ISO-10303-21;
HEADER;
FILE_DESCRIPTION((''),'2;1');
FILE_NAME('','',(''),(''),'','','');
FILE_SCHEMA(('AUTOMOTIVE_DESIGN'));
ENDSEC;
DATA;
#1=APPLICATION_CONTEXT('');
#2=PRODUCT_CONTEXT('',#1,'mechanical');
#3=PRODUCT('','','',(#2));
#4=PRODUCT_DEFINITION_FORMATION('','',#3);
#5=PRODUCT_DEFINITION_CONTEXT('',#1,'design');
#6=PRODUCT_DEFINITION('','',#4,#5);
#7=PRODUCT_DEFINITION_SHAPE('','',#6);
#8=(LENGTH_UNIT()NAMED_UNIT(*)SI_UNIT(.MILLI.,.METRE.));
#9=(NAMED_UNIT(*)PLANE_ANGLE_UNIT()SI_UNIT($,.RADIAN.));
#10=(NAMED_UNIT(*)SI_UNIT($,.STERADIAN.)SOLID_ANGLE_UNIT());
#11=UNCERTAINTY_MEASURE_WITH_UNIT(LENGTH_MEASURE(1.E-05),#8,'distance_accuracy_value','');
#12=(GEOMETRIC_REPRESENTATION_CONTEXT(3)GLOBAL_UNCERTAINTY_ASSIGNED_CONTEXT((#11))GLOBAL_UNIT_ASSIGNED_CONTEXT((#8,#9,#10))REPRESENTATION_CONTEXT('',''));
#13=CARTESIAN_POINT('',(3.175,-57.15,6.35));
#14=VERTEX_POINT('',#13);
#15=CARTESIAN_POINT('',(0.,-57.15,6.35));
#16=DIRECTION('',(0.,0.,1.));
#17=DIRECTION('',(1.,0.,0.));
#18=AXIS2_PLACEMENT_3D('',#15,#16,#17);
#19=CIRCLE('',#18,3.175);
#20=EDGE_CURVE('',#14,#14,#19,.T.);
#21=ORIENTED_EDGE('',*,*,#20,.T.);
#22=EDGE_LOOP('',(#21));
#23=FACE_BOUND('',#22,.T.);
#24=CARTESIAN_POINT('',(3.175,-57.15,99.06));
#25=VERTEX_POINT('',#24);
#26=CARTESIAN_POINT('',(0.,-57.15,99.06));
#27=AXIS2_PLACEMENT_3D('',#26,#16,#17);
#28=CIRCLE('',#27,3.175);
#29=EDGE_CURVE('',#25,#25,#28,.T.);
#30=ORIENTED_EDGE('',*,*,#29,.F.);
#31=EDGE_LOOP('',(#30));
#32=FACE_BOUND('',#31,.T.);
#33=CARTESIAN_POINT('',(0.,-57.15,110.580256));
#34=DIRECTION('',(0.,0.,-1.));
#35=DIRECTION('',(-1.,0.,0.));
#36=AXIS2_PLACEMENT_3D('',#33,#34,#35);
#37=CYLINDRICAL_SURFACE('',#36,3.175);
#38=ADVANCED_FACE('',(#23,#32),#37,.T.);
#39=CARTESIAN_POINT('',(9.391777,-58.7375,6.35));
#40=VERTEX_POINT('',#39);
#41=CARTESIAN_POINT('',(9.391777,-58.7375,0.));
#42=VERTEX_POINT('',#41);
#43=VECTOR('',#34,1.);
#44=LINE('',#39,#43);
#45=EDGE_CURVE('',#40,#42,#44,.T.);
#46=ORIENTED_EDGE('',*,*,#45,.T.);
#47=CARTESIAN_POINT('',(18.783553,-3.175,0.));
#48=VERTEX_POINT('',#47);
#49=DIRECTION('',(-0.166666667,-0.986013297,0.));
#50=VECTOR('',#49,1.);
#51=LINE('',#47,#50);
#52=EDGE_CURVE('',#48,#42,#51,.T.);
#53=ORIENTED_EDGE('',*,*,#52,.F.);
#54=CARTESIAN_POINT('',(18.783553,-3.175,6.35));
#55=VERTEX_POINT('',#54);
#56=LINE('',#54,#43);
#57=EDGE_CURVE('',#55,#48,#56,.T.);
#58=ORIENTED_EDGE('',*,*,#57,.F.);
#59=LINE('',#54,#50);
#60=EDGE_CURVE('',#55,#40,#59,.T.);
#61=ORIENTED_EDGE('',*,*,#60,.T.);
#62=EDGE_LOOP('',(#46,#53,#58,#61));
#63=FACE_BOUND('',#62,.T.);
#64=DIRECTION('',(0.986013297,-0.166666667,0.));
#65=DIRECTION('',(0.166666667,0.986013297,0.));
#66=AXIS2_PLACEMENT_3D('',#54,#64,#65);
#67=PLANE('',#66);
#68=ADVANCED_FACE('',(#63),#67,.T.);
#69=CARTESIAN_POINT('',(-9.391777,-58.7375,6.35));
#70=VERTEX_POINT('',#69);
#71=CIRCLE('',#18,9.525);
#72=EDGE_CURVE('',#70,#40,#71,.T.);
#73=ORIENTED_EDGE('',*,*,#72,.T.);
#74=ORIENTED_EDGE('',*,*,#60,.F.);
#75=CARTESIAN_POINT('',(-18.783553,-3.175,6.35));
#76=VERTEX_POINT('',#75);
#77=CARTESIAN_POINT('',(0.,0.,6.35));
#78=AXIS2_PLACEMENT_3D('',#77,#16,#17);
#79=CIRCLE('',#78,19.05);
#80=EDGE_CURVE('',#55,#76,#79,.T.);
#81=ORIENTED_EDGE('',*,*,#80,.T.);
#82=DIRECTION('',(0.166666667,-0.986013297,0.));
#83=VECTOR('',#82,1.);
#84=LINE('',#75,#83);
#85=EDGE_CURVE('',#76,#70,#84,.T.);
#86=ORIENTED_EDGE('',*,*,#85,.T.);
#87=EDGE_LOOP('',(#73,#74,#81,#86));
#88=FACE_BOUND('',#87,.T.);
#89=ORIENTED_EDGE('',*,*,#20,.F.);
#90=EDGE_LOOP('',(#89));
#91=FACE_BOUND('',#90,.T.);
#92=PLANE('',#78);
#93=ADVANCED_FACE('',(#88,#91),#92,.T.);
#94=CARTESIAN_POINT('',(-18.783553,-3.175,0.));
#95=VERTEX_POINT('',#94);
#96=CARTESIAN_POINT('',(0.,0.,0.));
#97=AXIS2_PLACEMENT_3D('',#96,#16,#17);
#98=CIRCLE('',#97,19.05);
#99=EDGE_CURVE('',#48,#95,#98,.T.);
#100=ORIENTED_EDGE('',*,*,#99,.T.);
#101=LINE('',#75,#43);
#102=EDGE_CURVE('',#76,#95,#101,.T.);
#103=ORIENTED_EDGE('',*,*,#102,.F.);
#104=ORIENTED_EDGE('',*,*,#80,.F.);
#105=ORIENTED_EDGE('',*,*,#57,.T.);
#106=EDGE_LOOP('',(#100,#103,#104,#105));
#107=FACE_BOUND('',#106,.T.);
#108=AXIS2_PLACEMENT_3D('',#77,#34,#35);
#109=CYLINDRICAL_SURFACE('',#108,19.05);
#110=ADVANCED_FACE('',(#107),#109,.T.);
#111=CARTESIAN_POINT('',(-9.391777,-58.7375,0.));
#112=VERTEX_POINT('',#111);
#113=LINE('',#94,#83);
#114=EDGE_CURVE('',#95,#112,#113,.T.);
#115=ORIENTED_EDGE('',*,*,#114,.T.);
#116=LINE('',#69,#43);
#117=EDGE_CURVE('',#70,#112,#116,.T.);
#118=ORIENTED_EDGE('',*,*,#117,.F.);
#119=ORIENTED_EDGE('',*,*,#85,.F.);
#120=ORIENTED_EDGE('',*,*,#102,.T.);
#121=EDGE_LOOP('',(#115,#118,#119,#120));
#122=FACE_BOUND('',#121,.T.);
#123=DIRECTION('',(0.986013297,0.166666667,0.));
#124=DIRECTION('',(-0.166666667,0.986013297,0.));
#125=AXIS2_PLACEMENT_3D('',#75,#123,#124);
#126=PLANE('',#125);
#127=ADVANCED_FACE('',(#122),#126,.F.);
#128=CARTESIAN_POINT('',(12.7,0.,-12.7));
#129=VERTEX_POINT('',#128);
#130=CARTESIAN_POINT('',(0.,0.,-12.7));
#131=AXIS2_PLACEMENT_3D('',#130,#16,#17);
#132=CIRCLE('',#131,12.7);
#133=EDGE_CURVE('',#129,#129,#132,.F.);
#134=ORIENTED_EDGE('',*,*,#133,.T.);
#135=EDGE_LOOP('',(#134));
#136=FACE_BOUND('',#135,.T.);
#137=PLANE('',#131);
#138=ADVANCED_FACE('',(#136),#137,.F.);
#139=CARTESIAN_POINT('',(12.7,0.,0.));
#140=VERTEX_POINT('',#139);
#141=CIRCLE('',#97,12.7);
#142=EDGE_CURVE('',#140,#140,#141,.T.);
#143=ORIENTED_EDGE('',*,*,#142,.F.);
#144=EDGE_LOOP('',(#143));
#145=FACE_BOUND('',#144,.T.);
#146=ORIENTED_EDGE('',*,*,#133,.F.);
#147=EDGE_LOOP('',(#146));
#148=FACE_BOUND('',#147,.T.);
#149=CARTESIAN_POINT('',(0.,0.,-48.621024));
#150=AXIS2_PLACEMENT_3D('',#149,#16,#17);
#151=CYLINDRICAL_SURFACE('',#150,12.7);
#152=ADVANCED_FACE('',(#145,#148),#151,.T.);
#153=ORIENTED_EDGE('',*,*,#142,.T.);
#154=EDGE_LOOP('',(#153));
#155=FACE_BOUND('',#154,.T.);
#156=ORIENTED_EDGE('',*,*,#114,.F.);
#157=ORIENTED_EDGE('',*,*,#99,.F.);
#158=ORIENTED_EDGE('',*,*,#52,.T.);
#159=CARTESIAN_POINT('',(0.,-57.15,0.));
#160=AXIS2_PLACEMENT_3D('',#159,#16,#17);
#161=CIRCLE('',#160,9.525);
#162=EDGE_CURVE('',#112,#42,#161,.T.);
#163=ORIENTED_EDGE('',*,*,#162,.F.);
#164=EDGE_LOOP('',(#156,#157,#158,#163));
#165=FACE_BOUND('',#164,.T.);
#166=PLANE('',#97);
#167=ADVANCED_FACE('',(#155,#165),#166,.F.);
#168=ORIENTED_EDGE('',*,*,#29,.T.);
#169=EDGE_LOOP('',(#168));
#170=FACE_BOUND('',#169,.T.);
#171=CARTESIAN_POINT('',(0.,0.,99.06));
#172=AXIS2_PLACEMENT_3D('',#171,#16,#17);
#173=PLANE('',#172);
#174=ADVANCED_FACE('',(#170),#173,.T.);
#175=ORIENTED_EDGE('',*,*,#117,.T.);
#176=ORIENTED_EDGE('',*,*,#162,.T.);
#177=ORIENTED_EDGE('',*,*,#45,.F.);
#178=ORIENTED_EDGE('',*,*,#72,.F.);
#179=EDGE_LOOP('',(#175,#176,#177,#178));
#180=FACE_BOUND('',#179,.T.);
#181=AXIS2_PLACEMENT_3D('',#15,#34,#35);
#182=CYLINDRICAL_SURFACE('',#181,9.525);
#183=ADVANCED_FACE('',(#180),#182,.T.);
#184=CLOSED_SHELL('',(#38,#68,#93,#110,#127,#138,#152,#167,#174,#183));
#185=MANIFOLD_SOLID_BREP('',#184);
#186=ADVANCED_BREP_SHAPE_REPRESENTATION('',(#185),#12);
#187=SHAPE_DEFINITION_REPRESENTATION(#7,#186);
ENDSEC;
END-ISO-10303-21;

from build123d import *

# Parameters (mm, degrees)
SKETCH1_R           = 12.7
BOSS_EXTRUDE1_DEPTH = 12.7
SKETCH1_3_R         = 3.175
BOSS_EXTRUDE2_DEPTH = 6.35
SKETCH1_4_R         = 3.175
BOSS_EXTRUDE3_DEPTH = 99.06


with BuildPart() as part:
    # Sketch1 → Boss-Extrude1 (new body)
    with BuildSketch(Plane.XY):
        Circle(SKETCH1_R)
    extrude(amount=-BOSS_EXTRUDE1_DEPTH)

    # Sketch1<3> → Boss-Extrude2 (add)
    with BuildSketch(Plane.XY):
        with BuildLine():
            Line((9.391776656, -58.7375), (18.783553311, -3.175))
            ThreePointArc((18.783553311, -3.175), (0, 19.05), (-18.783553311, -3.175))
            Line((-18.783553311, -3.175), (-9.391776656, -58.7375))
            ThreePointArc((-9.391776656, -58.7375), (0, -66.675), (9.391776656, -58.7375))
        make_face()
        with Locations((0, -57.15)):
            Circle(SKETCH1_3_R, mode=Mode.SUBTRACT)
    extrude(amount=BOSS_EXTRUDE2_DEPTH)

    # Sketch1<4> → Boss-Extrude3 (add)
    with BuildSketch(Plane.XY):
        with Locations((0, -57.15)):
            Circle(SKETCH1_4_R)
    extrude(amount=BOSS_EXTRUDE3_DEPTH)


solid = part.part
